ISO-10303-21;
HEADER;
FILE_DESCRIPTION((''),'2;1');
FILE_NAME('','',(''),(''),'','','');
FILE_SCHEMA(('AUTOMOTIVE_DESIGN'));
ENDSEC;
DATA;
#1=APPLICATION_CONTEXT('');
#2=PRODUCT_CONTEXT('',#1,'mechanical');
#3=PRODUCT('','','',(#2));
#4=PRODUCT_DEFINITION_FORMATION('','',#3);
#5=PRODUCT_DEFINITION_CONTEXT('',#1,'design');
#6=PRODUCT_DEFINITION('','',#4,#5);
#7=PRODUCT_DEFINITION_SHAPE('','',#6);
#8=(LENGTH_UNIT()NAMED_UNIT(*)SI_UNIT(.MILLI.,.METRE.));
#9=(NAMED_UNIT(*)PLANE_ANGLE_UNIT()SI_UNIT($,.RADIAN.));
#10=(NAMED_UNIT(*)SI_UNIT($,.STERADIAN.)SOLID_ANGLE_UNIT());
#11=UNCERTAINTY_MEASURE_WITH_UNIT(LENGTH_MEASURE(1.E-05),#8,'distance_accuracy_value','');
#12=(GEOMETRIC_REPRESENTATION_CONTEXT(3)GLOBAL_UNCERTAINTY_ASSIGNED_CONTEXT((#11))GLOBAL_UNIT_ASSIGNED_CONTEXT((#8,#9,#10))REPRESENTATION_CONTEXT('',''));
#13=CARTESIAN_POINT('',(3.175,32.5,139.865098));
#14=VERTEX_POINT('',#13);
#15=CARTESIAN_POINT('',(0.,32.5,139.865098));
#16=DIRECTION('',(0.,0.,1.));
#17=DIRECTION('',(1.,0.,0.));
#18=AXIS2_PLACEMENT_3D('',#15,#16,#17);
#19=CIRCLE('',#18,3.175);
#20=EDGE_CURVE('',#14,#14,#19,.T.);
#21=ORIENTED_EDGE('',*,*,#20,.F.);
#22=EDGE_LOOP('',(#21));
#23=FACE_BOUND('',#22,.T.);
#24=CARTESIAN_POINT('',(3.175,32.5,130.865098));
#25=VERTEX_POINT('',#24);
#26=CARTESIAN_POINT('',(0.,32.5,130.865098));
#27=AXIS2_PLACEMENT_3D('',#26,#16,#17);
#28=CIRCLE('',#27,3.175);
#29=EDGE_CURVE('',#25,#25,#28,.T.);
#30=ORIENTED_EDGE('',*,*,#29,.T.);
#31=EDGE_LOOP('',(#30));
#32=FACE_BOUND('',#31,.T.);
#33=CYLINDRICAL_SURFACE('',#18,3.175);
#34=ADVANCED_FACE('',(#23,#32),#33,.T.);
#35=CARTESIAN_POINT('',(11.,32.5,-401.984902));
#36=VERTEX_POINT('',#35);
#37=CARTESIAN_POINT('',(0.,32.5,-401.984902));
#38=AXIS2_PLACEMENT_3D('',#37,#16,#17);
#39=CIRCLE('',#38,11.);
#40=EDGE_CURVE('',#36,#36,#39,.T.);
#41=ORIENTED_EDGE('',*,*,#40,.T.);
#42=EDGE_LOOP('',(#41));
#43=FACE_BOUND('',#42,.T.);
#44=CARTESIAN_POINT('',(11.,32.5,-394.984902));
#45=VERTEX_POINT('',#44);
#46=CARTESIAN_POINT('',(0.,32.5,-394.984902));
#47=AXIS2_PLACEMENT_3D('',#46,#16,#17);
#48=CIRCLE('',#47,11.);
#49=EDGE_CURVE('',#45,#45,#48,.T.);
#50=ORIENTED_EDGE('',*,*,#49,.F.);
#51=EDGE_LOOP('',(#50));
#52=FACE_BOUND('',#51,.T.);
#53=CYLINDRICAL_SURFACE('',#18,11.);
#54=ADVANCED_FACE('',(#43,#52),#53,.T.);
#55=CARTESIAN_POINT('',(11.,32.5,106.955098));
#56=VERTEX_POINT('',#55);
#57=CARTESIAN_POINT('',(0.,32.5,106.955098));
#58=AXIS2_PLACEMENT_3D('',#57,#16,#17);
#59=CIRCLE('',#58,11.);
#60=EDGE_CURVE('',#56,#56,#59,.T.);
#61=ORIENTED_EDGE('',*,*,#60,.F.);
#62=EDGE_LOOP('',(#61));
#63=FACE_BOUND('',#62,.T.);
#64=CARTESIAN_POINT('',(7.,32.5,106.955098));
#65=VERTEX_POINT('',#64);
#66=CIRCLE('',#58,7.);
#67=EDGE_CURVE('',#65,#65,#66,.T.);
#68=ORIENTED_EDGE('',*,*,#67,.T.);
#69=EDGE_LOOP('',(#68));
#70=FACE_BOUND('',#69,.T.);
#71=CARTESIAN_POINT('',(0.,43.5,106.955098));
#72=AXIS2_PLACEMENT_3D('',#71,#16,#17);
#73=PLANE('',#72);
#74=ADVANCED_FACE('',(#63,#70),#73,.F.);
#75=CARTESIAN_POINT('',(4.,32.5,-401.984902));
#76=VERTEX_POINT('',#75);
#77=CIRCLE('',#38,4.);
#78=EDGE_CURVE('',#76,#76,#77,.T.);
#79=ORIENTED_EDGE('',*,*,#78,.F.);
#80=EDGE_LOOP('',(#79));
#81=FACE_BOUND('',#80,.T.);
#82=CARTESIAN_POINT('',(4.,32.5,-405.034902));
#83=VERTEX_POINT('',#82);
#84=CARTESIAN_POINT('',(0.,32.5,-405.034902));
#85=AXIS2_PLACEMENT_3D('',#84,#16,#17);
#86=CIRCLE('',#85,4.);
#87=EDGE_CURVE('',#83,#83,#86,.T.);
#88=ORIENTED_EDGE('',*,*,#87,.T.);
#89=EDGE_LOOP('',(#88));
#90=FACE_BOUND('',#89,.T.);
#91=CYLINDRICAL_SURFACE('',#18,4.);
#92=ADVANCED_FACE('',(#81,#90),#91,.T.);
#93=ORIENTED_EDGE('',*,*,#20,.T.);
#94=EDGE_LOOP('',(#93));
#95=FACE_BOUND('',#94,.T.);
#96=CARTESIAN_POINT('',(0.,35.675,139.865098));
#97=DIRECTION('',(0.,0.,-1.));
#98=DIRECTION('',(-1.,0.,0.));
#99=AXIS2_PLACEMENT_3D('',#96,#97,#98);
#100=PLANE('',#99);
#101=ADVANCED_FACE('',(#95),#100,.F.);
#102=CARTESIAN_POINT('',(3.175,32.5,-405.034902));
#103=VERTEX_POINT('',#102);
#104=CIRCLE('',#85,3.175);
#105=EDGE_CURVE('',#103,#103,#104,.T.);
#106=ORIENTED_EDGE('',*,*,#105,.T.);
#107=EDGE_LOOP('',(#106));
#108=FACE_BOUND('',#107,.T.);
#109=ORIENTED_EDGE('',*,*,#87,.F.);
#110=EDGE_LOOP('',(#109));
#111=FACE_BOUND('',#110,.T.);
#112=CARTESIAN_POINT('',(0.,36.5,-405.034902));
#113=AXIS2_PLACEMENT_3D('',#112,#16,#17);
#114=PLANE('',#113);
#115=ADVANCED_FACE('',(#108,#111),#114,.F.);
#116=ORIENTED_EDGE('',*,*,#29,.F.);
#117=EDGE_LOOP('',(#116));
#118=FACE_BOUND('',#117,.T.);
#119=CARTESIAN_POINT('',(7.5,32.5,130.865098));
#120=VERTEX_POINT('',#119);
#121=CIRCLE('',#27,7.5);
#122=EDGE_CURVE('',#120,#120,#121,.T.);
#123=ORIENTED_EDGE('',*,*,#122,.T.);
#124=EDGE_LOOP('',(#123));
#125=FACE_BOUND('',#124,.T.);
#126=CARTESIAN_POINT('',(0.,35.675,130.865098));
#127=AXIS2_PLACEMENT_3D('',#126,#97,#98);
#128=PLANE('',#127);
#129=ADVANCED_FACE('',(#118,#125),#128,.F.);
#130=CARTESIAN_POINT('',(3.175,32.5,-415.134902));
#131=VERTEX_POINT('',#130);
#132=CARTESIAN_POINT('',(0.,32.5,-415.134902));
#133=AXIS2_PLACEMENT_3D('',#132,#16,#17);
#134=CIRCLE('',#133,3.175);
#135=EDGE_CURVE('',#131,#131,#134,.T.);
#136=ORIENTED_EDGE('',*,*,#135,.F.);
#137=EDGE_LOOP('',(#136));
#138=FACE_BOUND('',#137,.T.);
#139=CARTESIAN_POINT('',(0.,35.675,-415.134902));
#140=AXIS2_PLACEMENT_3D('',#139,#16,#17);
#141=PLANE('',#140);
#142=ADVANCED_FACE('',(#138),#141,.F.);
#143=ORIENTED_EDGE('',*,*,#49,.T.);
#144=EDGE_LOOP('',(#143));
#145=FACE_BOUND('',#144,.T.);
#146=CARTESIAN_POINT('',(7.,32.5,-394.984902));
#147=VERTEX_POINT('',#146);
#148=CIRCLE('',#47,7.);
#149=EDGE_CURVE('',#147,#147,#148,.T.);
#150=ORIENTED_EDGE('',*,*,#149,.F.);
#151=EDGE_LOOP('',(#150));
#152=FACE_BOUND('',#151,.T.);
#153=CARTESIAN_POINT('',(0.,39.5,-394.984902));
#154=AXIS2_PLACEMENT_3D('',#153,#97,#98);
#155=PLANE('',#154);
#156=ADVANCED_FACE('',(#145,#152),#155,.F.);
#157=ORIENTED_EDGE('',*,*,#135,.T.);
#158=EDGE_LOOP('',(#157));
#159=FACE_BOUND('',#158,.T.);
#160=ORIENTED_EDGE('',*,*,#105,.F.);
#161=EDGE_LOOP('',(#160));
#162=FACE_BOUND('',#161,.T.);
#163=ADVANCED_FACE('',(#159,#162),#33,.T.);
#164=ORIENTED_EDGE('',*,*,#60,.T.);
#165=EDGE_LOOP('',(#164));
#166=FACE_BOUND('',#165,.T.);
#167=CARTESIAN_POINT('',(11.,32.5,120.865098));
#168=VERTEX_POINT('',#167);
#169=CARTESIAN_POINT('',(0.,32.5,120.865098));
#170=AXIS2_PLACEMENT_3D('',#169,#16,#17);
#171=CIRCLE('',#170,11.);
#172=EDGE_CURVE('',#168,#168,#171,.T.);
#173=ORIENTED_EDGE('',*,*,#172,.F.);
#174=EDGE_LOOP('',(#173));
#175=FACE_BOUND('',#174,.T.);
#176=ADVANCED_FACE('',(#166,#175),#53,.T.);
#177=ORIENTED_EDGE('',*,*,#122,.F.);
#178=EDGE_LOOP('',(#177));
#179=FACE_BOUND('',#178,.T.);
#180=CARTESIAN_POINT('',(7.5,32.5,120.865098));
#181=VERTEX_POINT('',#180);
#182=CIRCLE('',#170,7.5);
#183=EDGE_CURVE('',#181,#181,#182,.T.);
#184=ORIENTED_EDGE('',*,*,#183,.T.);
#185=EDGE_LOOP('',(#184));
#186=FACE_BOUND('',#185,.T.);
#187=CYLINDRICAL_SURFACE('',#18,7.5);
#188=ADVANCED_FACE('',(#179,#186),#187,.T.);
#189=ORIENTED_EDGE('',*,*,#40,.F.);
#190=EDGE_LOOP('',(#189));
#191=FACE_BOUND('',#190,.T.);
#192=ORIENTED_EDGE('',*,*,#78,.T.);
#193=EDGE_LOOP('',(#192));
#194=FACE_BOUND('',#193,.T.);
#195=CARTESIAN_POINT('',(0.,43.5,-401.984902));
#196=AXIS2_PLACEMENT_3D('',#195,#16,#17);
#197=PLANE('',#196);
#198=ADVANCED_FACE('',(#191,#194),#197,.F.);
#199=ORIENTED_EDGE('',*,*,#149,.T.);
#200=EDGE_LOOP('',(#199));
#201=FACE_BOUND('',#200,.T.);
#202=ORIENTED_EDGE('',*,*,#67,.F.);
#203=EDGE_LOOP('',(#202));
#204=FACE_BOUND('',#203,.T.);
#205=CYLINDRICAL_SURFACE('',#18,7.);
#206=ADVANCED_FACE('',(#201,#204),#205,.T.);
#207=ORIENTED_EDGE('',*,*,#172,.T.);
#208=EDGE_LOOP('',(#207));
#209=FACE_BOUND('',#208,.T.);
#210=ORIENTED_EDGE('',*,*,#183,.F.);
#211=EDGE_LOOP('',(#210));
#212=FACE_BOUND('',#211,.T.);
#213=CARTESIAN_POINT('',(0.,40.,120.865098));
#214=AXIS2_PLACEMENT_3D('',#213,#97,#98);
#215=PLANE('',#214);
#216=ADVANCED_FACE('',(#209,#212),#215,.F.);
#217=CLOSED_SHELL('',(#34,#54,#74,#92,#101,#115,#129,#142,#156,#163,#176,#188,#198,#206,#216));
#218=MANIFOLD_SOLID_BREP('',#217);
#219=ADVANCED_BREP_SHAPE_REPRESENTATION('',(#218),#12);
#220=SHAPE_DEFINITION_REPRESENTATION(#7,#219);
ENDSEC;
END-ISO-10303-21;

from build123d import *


with BuildPart() as part:
    # Sketch6 → Revolve1 (revolve)
    with BuildSketch(Plane(origin=(0, 0, 0), x_dir=(0, 0, -1), z_dir=(1, 0, 0)), mode=Mode.PRIVATE) as revolve1_sk:
        Polygon((-139.865098059, 32.5), (415.134901941, 32.5), (415.134901941, 35.675), (405.034901941, 35.675), (405.034901941, 36.5), (401.984901941, 36.5), (401.984901941, 43.5), (394.984901941, 43.5), (394.984901941, 39.5), (-106.955098059, 39.5), (-106.955098059, 43.5), (-120.865098059, 43.5), (-120.865098059, 40), (-130.865098059, 40), (-130.865098059, 35.675), (-139.865098059, 35.675), align=None)
    revolve(revolve1_sk.sketch.rotate(Axis((0, 32.5, 139.865098059), (0, 0, -1)), 90), axis=Axis((0, 32.5, 139.865098059), (0, 0, -1)))


solid = part.part
